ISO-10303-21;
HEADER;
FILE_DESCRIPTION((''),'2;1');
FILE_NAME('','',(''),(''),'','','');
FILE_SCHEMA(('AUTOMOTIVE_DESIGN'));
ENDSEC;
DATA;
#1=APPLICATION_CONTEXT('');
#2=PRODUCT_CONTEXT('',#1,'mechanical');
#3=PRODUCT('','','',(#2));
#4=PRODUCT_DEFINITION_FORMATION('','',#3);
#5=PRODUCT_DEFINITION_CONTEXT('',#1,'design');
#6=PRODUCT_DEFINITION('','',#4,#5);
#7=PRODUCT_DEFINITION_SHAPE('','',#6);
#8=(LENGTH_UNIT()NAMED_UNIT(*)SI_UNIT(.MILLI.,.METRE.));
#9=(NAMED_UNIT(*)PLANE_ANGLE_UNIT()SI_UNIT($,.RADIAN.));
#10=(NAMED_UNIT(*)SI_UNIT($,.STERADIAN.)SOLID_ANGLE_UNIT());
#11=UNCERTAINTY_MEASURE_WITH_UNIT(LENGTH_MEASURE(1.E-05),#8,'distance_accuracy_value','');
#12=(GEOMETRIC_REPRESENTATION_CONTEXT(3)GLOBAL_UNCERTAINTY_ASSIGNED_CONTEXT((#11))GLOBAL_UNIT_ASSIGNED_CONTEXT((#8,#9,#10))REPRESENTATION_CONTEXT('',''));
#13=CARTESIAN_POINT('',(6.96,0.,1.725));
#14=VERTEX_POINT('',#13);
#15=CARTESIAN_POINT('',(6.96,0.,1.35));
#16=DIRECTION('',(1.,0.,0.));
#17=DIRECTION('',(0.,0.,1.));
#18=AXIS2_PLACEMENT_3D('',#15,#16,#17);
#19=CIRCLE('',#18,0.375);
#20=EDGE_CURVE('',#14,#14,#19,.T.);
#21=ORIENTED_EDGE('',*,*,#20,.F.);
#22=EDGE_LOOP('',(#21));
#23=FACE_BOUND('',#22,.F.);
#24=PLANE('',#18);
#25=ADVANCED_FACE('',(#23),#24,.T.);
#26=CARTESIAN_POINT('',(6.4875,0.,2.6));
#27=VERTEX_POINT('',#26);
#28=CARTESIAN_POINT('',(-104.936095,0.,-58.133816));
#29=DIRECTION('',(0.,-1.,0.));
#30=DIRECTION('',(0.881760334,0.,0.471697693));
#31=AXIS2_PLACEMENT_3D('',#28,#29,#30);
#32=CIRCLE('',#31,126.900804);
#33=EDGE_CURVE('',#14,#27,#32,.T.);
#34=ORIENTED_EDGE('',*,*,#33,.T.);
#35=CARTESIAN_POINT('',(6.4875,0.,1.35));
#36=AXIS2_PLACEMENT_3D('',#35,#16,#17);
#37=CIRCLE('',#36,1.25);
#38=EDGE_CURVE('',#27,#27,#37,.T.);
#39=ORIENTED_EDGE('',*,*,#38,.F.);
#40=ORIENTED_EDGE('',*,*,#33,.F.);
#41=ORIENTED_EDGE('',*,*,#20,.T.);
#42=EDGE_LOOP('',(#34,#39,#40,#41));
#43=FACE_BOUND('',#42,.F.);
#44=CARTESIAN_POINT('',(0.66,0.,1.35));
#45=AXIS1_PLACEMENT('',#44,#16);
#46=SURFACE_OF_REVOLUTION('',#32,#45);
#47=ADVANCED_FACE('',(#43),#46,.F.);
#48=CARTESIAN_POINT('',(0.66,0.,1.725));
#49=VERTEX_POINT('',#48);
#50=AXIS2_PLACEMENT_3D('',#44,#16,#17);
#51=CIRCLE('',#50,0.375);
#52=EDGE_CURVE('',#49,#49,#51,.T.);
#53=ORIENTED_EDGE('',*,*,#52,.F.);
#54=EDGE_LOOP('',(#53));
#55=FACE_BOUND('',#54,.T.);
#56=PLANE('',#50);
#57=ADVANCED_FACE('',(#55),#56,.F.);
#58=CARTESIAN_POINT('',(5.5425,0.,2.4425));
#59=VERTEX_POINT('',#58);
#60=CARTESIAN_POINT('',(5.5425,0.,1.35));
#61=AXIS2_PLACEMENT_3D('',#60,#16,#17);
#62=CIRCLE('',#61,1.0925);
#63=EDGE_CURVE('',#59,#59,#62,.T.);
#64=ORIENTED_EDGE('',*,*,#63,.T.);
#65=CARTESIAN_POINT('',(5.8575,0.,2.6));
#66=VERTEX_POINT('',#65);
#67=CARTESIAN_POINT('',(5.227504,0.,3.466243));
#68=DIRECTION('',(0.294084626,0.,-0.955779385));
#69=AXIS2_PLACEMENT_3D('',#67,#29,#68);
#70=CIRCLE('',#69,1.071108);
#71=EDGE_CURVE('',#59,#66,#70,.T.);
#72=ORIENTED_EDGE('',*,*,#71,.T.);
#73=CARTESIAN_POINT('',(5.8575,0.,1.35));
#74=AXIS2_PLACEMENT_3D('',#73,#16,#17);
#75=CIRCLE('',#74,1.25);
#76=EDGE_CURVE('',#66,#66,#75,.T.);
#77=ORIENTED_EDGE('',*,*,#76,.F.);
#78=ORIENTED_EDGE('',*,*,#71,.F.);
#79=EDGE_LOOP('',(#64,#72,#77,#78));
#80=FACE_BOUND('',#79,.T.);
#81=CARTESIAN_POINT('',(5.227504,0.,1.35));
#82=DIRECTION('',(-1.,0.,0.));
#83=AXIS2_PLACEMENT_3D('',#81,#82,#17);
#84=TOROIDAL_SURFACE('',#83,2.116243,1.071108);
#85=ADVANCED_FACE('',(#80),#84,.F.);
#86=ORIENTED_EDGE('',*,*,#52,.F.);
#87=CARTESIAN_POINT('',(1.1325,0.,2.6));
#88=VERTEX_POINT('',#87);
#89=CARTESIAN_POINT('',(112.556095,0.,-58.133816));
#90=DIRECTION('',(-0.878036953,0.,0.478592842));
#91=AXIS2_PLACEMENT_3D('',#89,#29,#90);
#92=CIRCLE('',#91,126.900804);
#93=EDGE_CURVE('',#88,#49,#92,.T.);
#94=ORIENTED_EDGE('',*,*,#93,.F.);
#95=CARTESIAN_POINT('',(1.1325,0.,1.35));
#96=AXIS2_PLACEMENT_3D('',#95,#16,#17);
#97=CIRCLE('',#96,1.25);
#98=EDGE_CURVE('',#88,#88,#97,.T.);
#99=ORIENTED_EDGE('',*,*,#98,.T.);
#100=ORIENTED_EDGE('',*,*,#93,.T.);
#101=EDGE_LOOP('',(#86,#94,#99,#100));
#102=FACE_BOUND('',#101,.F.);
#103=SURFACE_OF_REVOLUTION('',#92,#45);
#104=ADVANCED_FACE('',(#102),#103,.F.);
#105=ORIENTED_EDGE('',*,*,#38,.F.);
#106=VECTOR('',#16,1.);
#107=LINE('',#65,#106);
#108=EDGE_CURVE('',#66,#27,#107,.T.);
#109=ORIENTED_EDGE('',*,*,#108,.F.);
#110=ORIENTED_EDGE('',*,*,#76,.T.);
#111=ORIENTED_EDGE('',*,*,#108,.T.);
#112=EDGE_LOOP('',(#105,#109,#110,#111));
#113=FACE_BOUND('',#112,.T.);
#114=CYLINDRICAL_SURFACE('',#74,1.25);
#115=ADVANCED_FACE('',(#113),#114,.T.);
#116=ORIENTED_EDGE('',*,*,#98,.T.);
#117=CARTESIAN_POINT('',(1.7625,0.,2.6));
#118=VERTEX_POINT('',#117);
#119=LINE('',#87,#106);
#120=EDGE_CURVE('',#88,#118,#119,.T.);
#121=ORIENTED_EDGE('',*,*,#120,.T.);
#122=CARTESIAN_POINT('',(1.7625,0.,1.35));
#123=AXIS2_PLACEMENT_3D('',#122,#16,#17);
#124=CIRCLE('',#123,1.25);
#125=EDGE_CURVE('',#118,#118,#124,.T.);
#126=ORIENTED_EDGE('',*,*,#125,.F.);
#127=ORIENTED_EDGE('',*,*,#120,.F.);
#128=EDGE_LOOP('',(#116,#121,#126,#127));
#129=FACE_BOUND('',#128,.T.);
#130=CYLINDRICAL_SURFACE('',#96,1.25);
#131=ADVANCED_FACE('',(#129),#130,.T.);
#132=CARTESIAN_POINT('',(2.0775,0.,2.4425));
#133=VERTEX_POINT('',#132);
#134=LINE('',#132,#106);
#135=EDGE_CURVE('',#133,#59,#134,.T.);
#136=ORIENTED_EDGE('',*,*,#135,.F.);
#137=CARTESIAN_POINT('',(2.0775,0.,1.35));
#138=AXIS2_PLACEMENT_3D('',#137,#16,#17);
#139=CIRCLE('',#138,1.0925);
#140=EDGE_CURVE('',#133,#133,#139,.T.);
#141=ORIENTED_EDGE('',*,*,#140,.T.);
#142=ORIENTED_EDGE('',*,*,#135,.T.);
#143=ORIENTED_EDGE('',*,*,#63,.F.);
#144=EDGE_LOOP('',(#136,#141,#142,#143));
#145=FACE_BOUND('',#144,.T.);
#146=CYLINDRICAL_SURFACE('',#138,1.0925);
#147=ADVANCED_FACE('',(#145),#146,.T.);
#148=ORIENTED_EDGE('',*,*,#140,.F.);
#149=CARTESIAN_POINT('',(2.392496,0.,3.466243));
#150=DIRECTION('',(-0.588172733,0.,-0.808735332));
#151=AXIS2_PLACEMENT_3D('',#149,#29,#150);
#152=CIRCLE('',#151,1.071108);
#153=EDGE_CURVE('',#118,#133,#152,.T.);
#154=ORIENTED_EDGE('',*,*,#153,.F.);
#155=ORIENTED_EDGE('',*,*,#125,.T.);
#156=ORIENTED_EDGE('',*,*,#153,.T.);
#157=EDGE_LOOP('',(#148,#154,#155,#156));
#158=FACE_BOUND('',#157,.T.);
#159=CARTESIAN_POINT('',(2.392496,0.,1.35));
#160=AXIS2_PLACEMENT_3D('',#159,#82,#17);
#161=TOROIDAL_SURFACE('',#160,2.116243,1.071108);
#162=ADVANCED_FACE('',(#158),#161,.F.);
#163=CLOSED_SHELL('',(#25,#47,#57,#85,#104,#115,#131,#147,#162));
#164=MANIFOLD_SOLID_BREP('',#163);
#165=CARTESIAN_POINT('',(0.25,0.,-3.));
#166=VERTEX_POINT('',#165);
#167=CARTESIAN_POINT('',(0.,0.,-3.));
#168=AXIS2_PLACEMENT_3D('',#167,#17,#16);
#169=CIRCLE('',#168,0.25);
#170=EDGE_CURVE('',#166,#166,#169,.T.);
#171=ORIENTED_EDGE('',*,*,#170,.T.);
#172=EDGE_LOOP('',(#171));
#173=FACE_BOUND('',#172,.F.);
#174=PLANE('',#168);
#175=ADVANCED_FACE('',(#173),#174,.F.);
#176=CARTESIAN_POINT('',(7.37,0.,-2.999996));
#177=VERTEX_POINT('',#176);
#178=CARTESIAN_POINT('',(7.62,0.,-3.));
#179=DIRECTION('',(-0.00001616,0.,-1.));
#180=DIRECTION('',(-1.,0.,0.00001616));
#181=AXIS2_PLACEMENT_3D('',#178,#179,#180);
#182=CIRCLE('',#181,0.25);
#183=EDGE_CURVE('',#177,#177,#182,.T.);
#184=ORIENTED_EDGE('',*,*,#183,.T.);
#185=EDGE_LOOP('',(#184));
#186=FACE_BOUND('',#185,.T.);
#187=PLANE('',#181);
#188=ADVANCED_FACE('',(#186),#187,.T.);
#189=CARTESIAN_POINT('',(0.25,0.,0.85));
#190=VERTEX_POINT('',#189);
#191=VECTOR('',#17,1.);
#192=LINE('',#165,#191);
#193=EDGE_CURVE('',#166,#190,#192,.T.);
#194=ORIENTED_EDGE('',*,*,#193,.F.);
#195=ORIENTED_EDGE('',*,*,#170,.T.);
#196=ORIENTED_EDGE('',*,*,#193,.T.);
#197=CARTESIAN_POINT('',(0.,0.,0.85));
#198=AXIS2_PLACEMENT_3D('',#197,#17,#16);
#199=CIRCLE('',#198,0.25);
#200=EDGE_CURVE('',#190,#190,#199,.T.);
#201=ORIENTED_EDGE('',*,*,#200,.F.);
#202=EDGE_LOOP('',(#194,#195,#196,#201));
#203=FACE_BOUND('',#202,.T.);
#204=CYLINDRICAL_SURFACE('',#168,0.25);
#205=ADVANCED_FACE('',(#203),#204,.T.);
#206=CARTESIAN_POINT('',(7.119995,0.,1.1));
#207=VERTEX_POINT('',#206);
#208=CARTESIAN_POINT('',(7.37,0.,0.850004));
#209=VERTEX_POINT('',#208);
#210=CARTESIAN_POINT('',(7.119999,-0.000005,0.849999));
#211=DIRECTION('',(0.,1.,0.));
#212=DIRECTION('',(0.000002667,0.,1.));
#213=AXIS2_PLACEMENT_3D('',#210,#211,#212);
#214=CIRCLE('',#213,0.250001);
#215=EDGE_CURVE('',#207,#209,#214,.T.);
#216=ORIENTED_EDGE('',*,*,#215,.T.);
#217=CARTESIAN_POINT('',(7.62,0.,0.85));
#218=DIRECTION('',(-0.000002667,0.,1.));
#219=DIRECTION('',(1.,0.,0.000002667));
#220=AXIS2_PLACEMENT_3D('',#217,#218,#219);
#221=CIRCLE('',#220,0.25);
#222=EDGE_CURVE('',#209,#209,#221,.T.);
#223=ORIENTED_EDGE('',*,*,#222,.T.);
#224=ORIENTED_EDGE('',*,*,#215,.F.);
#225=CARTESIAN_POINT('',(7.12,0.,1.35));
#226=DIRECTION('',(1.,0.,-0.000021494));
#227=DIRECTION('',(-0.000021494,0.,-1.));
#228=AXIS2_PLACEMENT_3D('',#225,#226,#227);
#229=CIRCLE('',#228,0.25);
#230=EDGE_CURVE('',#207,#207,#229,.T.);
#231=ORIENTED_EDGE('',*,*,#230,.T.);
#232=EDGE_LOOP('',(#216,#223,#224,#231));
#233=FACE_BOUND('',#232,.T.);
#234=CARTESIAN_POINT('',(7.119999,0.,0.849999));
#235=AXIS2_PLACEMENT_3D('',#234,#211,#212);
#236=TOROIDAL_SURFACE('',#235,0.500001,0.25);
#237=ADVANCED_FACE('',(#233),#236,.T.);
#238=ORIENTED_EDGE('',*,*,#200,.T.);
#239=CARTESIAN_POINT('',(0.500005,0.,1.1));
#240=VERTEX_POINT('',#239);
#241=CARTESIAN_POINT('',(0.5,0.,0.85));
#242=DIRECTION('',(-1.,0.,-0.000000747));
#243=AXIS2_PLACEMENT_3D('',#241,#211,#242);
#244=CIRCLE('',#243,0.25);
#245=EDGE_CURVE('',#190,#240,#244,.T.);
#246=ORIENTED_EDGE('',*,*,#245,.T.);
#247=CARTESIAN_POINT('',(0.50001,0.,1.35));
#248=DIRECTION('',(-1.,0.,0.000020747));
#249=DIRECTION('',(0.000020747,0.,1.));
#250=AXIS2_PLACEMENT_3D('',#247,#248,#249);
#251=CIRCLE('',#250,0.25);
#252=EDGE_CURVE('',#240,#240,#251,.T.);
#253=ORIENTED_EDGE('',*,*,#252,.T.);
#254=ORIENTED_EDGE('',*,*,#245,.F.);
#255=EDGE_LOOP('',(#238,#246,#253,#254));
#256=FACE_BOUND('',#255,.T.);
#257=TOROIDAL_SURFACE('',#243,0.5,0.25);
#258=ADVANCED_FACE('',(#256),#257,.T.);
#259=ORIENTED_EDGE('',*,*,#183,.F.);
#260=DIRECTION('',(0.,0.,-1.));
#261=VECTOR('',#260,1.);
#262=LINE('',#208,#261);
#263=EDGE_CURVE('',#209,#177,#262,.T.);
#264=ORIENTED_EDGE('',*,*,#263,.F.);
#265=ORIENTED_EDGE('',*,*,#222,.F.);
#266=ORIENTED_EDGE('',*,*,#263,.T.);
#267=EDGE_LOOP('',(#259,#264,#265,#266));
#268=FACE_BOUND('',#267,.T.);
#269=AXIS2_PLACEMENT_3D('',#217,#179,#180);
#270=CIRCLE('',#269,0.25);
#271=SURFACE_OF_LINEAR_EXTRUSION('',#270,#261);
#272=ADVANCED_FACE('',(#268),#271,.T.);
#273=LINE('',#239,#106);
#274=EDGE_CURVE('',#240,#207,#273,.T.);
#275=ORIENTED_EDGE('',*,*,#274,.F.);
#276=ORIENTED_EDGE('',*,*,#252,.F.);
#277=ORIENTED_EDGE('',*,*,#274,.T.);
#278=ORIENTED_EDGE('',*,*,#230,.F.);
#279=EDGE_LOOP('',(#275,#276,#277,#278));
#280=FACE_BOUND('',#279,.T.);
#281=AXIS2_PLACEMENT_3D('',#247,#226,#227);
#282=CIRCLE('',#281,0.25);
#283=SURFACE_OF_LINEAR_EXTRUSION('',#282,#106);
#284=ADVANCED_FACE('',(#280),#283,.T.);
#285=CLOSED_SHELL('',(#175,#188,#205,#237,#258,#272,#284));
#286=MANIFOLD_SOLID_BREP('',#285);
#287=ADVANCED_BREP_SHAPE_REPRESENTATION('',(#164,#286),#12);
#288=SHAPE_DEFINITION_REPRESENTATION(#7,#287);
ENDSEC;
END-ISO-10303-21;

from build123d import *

# Parameters (mm, degrees)
SKETCH_R = 0.25


with BuildPart() as revolution:
    # Sketch002 → Revolution (revolve)
    with BuildSketch(Plane.XZ):
        with BuildLine():
            Line((1.1325, 2.6), (1.7625, 2.6))
            ThreePointArc((1.7625, 2.6), (1.913482, 2.508215), (2.0775, 2.4425))
            Line((2.0775, 2.4425), (5.5425, 2.4425))
            ThreePointArc((5.5425, 2.4425), (5.706518, 2.508215), (5.8575, 2.6))
            Line((5.8575, 2.6), (6.4875, 2.6))
            ThreePointArc((6.96, 1.725), (6.724607, 2.162963), (6.4875, 2.6))
            Line((6.96, 1.35), (6.96, 1.725))
            Line((0.66, 1.35), (6.96, 1.35))
            Line((0.66, 1.35), (0.66, 1.725))
            ThreePointArc((1.1325, 2.6), (0.895393, 2.162963), (0.66, 1.725))
        make_face()
    revolve(axis=Axis((0.66, 0, 1.35), (1, 0, 0)))


with BuildPart() as sweep_body:
    # Sweep: sweep along a path in Sketch001
    with BuildLine(Plane.XZ) as sweep_path:
        Line((0, -3), (0, 0.85))
        ThreePointArc((0, 0.85), (0.14645, 1.203557), (0.50001, 1.35))
        Line((0.50001, 1.35), (7.12, 1.35))
        ThreePointArc((7.12, 1.35), (7.473553, 1.203553), (7.62, 0.85))
        Line((7.62, 0.85), (7.62, -3))
    # Sketch → Sweep (sweep)
    with BuildSketch(Plane.XY.offset(-2)):
        Circle(SKETCH_R)
    sweep(path=sweep_path.line)


solid = Compound([revolution.part, sweep_body.part])
